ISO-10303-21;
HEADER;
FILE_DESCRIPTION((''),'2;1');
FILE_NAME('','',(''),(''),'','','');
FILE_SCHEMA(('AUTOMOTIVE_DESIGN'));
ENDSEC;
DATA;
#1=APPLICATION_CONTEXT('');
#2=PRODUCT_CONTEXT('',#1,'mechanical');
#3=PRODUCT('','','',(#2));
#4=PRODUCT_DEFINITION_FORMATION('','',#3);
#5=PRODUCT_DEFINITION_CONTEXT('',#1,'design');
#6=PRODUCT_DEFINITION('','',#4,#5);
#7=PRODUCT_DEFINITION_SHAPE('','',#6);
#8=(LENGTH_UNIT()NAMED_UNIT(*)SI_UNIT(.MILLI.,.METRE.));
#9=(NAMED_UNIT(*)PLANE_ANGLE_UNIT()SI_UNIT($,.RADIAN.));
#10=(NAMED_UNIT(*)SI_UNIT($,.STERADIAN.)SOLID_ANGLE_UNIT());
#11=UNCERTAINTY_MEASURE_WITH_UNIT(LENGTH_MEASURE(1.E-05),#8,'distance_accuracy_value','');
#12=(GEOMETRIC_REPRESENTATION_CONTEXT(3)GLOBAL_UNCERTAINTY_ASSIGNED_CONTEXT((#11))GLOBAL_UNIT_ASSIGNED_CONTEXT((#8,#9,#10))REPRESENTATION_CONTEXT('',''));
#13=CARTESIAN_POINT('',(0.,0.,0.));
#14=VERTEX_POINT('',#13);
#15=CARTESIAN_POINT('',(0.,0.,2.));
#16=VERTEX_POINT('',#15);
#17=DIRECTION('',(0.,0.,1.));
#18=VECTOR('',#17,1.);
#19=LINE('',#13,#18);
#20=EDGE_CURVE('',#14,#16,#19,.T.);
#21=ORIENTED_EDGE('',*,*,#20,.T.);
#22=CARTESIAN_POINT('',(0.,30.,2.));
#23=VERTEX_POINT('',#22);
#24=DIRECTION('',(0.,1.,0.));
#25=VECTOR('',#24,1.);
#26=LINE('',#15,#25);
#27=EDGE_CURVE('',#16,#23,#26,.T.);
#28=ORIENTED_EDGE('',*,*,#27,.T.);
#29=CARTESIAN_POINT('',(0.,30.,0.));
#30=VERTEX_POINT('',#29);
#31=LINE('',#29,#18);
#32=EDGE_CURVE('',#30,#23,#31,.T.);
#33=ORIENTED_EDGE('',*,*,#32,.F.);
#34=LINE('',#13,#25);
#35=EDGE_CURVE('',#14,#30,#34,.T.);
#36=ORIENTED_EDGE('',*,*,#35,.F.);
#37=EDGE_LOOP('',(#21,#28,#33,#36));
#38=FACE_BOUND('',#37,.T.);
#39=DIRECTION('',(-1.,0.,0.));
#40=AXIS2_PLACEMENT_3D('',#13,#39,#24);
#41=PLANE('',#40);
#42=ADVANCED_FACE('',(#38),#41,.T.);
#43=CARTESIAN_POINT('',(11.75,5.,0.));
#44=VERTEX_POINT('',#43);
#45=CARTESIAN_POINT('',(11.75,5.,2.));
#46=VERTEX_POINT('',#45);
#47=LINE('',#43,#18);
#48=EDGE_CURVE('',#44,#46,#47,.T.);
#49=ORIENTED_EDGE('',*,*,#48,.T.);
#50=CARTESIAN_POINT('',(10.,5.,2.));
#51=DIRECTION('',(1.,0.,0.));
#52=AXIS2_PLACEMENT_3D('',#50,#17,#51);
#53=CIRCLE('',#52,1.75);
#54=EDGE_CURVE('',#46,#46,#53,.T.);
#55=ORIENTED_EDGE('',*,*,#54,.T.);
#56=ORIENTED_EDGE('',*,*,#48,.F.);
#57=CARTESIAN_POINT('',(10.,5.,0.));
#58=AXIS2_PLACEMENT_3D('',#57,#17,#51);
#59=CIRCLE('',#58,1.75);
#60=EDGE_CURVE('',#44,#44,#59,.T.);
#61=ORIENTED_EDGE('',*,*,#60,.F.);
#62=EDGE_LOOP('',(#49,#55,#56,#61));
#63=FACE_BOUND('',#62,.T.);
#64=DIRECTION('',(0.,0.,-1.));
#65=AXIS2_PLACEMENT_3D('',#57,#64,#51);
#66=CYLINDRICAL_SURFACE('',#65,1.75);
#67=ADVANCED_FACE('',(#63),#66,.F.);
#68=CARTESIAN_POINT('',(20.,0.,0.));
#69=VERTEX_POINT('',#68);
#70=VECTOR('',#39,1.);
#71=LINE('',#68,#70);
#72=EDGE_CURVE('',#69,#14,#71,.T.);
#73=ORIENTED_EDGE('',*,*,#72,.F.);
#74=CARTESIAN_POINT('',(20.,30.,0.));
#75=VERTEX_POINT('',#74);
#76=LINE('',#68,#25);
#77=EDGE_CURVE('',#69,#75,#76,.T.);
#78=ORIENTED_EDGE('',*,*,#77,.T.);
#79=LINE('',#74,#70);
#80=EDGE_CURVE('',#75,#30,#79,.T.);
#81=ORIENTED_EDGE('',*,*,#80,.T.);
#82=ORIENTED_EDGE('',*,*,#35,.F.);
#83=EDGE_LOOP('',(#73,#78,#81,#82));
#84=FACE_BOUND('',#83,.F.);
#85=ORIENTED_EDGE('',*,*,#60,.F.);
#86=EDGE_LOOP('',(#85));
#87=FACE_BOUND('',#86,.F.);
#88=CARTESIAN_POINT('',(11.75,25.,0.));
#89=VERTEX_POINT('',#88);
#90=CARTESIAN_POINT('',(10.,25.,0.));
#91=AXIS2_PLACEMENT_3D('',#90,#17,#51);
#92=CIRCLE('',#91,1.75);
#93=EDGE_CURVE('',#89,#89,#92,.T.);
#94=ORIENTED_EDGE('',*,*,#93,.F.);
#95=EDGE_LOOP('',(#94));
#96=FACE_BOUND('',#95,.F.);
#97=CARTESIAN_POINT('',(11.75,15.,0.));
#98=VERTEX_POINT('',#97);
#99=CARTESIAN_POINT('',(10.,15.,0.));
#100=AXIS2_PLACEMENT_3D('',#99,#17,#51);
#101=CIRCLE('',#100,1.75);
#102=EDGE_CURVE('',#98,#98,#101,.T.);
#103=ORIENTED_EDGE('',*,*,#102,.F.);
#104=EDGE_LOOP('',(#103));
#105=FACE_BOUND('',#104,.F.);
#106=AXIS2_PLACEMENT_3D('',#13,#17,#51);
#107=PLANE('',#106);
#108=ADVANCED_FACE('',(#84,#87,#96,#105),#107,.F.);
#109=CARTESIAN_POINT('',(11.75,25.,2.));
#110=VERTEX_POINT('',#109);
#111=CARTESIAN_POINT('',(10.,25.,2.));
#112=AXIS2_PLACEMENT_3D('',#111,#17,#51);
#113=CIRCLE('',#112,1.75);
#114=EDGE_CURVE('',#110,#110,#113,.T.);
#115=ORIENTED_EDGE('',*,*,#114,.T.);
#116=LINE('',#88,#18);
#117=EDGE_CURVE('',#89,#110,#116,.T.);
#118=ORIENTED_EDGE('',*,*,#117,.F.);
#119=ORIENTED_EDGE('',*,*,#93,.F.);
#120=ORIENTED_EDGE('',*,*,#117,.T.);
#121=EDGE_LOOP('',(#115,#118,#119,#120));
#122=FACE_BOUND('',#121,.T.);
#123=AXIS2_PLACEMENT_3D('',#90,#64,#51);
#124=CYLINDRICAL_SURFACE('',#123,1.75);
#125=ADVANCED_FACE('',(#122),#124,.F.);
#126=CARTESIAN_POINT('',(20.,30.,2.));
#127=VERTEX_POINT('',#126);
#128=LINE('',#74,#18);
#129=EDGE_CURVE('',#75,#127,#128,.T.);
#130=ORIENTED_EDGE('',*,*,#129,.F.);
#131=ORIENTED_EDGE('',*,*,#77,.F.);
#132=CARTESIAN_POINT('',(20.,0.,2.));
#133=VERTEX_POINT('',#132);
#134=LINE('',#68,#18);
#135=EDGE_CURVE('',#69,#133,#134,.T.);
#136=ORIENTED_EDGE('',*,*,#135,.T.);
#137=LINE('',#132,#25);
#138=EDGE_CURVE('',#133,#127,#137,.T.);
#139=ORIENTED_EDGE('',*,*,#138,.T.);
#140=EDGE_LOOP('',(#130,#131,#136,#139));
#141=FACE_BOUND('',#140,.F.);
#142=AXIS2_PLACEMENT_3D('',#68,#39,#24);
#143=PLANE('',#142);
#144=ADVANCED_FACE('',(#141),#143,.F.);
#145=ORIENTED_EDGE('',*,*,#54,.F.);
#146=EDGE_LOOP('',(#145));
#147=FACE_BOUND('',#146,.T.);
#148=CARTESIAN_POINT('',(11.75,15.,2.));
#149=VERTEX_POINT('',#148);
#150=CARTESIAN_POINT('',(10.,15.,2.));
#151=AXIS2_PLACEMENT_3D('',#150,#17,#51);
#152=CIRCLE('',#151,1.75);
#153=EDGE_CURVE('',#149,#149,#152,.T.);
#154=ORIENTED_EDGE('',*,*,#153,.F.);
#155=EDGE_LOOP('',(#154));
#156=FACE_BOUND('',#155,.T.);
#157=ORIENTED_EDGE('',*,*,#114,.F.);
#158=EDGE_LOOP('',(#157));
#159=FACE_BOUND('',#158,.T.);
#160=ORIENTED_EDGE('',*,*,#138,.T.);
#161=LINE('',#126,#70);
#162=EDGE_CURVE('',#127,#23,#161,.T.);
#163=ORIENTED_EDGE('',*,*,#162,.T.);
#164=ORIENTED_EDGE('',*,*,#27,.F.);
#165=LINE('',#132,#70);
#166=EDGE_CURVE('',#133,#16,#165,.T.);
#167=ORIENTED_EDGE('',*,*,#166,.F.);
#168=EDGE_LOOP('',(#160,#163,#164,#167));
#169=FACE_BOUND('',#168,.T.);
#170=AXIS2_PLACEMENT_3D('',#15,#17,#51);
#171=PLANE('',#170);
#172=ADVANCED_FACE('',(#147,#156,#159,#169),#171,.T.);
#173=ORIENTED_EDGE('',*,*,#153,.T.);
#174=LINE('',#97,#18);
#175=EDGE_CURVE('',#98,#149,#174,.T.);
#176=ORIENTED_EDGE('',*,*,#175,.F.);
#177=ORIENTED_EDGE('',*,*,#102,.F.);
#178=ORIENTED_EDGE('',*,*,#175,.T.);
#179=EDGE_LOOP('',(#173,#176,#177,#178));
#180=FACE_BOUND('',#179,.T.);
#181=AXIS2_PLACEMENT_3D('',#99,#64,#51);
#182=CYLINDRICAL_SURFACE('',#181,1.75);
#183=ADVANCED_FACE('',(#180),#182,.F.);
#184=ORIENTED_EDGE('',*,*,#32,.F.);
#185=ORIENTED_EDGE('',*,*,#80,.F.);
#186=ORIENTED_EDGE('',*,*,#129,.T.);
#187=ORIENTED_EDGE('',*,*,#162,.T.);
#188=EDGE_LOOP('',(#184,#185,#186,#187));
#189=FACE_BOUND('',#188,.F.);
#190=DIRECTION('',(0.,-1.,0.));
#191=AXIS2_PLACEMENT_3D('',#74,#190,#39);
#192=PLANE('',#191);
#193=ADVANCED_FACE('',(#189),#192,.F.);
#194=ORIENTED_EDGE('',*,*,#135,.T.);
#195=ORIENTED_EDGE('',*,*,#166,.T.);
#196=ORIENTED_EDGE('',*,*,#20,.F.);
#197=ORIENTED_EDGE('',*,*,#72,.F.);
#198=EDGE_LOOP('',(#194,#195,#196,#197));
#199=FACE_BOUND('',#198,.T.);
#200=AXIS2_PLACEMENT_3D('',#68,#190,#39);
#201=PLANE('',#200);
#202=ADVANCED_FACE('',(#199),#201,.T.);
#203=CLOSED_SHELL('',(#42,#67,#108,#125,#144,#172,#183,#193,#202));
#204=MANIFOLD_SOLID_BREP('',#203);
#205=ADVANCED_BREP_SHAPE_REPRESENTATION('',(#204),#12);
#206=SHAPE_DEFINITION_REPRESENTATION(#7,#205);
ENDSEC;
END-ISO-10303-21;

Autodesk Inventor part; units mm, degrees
ref_plane "YZ Plane" through (0, 0, 0) normal (1, 0, 0) x (0, 1, 0)
ref_plane "XZ Plane" through (0, 0, 0) normal (0, 1, 0) x (-1, 0, 0)
ref_plane "Work Plane1" through (0, 0, 0) normal (0, 0, 1) x (1, 0, 0)
sketch "Sketch1" plane through (0, 0, 0) normal (0, 0, 1) x (1, 0, 0)
  circle A0 centre (10, 5) radius 1.75 projected
  circle A1 centre (10, 25) radius 1.75 projected
  circle A2 centre (10, 15) radius 1.75 projected
  line L0 (20, 30) -> (0, 30) projected
  line L1 (0, 0) -> (0, 30) projected
  line L2 (20, 0) -> (0, 0) projected
  line L3 (20, 0) -> (20, 30) projected
extrude "Extrusion1" add sketch "Sketch1" along normal blind 2
properties part number "top spacer"
